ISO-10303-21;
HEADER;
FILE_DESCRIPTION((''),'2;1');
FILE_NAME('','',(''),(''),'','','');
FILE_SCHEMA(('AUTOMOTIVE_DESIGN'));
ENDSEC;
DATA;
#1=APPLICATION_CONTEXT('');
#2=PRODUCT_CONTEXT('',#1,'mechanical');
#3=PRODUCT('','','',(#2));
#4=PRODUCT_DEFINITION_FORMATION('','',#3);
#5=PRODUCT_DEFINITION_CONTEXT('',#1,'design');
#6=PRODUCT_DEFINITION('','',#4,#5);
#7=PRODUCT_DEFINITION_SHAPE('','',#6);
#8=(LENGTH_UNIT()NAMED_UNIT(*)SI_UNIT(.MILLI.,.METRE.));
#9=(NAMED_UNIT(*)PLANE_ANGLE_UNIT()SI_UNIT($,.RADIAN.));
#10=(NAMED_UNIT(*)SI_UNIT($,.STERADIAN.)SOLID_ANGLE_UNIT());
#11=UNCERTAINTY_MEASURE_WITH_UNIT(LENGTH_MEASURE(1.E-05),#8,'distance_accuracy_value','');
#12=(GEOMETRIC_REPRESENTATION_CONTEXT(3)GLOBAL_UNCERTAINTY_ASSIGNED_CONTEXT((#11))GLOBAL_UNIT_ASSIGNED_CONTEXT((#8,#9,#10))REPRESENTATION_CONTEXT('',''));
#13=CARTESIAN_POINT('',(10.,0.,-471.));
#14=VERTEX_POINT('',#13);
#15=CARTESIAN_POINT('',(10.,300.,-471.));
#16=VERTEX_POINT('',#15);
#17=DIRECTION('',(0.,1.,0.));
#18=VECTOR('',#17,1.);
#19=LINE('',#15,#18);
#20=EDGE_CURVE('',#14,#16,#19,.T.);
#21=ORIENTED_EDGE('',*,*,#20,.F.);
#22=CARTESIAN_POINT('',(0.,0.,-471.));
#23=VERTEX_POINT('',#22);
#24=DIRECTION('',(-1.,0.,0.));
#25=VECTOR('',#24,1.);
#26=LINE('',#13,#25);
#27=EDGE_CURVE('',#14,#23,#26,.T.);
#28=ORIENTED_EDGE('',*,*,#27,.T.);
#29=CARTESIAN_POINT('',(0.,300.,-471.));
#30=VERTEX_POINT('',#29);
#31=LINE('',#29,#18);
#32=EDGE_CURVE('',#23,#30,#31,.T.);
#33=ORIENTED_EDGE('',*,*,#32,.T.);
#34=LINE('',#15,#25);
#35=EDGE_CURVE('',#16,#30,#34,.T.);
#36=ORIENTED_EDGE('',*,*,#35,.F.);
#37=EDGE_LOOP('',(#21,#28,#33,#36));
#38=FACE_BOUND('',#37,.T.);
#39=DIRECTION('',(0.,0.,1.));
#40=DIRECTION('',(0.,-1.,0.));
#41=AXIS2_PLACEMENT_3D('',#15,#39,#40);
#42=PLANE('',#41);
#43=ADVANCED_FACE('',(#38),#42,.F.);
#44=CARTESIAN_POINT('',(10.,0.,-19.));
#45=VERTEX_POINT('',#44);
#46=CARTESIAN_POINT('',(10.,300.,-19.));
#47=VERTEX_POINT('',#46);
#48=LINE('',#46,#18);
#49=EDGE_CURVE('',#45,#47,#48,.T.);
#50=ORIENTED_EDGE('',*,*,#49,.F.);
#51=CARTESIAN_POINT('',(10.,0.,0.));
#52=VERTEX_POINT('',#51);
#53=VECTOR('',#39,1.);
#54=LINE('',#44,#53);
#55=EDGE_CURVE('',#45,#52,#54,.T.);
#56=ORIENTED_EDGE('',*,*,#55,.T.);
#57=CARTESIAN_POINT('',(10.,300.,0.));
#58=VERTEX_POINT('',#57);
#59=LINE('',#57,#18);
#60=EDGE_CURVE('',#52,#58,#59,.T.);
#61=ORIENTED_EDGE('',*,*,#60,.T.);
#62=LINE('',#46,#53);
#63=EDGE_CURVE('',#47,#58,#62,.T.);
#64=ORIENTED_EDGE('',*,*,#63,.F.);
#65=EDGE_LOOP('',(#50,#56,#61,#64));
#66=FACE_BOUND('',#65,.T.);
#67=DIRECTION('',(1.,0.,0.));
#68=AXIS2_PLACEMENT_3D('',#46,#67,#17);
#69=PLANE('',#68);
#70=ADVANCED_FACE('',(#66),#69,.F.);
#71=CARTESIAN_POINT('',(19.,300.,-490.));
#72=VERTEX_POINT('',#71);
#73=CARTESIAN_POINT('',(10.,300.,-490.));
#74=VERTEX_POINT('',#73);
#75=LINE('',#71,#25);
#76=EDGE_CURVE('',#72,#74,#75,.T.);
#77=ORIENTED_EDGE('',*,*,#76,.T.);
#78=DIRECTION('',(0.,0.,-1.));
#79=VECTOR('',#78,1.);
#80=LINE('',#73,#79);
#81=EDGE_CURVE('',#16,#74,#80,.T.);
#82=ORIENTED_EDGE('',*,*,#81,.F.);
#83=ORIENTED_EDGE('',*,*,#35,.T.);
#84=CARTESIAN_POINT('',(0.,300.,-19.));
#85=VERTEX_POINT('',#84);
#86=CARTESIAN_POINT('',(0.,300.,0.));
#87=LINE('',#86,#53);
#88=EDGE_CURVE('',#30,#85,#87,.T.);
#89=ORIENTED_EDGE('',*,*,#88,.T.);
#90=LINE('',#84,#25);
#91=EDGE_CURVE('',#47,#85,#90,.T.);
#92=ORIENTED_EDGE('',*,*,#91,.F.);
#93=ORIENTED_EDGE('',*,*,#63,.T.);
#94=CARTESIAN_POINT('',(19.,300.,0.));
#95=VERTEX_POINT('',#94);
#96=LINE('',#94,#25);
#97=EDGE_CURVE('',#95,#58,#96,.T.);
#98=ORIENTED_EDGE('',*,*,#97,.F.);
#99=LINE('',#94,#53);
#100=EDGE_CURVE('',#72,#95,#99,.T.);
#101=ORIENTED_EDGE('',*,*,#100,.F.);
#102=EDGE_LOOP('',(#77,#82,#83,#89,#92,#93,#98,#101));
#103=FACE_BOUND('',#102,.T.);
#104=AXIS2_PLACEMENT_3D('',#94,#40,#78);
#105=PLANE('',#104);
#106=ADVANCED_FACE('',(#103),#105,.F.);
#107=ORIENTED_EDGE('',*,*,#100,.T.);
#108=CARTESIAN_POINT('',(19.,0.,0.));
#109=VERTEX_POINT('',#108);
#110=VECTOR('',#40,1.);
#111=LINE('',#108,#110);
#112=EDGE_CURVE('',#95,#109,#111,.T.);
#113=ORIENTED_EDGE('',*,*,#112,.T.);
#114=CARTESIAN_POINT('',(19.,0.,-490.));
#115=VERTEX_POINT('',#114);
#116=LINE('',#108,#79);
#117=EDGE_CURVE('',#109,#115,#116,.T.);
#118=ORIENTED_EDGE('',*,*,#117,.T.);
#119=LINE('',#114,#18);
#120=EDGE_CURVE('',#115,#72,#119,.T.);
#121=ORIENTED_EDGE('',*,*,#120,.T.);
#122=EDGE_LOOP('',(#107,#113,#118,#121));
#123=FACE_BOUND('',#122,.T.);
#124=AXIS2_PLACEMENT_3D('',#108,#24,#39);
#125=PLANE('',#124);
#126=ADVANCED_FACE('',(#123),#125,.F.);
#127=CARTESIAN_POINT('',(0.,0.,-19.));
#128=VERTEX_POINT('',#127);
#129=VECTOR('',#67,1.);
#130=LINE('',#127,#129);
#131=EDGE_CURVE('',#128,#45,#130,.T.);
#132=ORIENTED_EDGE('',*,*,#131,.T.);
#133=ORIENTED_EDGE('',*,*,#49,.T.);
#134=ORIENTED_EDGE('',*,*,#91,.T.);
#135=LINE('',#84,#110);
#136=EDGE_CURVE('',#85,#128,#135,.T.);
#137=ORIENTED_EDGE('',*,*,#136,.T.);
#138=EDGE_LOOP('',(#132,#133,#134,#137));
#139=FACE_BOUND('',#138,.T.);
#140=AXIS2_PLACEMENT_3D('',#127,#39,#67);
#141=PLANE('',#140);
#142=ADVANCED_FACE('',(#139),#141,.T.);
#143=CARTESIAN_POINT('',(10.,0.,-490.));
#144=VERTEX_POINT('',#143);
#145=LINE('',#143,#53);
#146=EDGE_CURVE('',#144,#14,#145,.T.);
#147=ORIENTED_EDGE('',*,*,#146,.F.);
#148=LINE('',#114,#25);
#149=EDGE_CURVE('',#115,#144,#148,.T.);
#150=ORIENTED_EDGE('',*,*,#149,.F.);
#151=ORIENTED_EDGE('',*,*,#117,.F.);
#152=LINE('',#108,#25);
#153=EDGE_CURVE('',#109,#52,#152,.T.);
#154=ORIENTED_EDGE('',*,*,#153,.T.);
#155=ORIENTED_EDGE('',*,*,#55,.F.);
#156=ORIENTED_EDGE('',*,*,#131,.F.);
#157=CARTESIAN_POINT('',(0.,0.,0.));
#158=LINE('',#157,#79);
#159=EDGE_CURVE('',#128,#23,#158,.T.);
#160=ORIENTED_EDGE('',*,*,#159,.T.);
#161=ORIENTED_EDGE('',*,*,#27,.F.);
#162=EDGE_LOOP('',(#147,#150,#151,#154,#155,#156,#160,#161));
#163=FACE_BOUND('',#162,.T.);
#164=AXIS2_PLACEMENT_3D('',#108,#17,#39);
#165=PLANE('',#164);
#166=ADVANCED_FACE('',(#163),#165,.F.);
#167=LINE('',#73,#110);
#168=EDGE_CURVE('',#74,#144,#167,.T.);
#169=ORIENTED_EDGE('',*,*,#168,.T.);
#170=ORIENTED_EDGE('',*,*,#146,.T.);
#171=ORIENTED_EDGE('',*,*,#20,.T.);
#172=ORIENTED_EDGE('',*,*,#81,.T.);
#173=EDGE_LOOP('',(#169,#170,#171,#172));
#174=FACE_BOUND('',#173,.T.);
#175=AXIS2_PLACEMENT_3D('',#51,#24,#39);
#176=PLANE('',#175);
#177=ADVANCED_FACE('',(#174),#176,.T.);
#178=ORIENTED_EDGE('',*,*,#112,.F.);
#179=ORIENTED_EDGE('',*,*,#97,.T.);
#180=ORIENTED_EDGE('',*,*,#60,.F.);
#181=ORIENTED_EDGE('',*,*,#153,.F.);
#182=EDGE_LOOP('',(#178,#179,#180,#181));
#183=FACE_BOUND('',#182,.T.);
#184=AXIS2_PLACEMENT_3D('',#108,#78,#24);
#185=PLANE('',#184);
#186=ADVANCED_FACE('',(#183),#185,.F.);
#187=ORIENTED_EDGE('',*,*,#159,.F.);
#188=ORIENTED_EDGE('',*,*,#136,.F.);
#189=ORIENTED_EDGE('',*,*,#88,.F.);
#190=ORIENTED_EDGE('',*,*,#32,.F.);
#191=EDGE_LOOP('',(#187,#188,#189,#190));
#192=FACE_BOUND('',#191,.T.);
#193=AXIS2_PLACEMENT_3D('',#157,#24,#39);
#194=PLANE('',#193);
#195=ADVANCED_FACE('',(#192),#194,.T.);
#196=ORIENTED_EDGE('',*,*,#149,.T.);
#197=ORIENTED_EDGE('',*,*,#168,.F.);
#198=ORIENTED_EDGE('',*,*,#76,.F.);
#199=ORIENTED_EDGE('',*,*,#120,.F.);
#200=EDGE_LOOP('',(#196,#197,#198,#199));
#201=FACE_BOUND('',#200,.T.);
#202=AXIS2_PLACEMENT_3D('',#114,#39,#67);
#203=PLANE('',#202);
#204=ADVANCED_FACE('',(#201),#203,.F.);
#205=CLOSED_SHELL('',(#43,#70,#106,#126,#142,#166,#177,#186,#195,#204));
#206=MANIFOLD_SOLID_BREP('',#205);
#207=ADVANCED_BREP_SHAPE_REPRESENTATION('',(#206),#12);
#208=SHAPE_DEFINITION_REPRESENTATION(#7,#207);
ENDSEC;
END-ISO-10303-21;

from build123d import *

# Parameters (mm, degrees)
SKETCH1_W           = 490
SKETCH1_H           = 300
BOSS_EXTRUDE1_DEPTH = 19
SKETCH5_W           = 10
SKETCH5_H           = 300
CUT_EXTRUDE1_DEPTH  = 19
SKETCH6_W           = 19
SKETCH6_H           = 300
CUT_EXTRUDE3_DEPTH  = 10


with BuildPart() as part:
    # Sketch1 → Boss-Extrude1 (new body)
    with BuildSketch(Plane(origin=(0, 0, 0), x_dir=(0, 0, -1), z_dir=(1, 0, 0))):
        with Locations((245, 150)):
            Rectangle(SKETCH1_W, SKETCH1_H)
    extrude(amount=BOSS_EXTRUDE1_DEPTH)

    # Sketch5 → Cut-Extrude1 (cut)
    with BuildSketch(Plane.XY):
        with Locations((5, 150)):
            Rectangle(SKETCH5_W, SKETCH5_H)
    extrude(amount=-CUT_EXTRUDE1_DEPTH, mode=Mode.SUBTRACT)

    # Sketch6 → Cut-Extrude3 (cut)
    with BuildSketch(Plane.ZY):
        with Locations((-480.5, 150)):
            Rectangle(SKETCH6_W, SKETCH6_H)
    extrude(amount=-CUT_EXTRUDE3_DEPTH, mode=Mode.SUBTRACT)


solid = part.part
